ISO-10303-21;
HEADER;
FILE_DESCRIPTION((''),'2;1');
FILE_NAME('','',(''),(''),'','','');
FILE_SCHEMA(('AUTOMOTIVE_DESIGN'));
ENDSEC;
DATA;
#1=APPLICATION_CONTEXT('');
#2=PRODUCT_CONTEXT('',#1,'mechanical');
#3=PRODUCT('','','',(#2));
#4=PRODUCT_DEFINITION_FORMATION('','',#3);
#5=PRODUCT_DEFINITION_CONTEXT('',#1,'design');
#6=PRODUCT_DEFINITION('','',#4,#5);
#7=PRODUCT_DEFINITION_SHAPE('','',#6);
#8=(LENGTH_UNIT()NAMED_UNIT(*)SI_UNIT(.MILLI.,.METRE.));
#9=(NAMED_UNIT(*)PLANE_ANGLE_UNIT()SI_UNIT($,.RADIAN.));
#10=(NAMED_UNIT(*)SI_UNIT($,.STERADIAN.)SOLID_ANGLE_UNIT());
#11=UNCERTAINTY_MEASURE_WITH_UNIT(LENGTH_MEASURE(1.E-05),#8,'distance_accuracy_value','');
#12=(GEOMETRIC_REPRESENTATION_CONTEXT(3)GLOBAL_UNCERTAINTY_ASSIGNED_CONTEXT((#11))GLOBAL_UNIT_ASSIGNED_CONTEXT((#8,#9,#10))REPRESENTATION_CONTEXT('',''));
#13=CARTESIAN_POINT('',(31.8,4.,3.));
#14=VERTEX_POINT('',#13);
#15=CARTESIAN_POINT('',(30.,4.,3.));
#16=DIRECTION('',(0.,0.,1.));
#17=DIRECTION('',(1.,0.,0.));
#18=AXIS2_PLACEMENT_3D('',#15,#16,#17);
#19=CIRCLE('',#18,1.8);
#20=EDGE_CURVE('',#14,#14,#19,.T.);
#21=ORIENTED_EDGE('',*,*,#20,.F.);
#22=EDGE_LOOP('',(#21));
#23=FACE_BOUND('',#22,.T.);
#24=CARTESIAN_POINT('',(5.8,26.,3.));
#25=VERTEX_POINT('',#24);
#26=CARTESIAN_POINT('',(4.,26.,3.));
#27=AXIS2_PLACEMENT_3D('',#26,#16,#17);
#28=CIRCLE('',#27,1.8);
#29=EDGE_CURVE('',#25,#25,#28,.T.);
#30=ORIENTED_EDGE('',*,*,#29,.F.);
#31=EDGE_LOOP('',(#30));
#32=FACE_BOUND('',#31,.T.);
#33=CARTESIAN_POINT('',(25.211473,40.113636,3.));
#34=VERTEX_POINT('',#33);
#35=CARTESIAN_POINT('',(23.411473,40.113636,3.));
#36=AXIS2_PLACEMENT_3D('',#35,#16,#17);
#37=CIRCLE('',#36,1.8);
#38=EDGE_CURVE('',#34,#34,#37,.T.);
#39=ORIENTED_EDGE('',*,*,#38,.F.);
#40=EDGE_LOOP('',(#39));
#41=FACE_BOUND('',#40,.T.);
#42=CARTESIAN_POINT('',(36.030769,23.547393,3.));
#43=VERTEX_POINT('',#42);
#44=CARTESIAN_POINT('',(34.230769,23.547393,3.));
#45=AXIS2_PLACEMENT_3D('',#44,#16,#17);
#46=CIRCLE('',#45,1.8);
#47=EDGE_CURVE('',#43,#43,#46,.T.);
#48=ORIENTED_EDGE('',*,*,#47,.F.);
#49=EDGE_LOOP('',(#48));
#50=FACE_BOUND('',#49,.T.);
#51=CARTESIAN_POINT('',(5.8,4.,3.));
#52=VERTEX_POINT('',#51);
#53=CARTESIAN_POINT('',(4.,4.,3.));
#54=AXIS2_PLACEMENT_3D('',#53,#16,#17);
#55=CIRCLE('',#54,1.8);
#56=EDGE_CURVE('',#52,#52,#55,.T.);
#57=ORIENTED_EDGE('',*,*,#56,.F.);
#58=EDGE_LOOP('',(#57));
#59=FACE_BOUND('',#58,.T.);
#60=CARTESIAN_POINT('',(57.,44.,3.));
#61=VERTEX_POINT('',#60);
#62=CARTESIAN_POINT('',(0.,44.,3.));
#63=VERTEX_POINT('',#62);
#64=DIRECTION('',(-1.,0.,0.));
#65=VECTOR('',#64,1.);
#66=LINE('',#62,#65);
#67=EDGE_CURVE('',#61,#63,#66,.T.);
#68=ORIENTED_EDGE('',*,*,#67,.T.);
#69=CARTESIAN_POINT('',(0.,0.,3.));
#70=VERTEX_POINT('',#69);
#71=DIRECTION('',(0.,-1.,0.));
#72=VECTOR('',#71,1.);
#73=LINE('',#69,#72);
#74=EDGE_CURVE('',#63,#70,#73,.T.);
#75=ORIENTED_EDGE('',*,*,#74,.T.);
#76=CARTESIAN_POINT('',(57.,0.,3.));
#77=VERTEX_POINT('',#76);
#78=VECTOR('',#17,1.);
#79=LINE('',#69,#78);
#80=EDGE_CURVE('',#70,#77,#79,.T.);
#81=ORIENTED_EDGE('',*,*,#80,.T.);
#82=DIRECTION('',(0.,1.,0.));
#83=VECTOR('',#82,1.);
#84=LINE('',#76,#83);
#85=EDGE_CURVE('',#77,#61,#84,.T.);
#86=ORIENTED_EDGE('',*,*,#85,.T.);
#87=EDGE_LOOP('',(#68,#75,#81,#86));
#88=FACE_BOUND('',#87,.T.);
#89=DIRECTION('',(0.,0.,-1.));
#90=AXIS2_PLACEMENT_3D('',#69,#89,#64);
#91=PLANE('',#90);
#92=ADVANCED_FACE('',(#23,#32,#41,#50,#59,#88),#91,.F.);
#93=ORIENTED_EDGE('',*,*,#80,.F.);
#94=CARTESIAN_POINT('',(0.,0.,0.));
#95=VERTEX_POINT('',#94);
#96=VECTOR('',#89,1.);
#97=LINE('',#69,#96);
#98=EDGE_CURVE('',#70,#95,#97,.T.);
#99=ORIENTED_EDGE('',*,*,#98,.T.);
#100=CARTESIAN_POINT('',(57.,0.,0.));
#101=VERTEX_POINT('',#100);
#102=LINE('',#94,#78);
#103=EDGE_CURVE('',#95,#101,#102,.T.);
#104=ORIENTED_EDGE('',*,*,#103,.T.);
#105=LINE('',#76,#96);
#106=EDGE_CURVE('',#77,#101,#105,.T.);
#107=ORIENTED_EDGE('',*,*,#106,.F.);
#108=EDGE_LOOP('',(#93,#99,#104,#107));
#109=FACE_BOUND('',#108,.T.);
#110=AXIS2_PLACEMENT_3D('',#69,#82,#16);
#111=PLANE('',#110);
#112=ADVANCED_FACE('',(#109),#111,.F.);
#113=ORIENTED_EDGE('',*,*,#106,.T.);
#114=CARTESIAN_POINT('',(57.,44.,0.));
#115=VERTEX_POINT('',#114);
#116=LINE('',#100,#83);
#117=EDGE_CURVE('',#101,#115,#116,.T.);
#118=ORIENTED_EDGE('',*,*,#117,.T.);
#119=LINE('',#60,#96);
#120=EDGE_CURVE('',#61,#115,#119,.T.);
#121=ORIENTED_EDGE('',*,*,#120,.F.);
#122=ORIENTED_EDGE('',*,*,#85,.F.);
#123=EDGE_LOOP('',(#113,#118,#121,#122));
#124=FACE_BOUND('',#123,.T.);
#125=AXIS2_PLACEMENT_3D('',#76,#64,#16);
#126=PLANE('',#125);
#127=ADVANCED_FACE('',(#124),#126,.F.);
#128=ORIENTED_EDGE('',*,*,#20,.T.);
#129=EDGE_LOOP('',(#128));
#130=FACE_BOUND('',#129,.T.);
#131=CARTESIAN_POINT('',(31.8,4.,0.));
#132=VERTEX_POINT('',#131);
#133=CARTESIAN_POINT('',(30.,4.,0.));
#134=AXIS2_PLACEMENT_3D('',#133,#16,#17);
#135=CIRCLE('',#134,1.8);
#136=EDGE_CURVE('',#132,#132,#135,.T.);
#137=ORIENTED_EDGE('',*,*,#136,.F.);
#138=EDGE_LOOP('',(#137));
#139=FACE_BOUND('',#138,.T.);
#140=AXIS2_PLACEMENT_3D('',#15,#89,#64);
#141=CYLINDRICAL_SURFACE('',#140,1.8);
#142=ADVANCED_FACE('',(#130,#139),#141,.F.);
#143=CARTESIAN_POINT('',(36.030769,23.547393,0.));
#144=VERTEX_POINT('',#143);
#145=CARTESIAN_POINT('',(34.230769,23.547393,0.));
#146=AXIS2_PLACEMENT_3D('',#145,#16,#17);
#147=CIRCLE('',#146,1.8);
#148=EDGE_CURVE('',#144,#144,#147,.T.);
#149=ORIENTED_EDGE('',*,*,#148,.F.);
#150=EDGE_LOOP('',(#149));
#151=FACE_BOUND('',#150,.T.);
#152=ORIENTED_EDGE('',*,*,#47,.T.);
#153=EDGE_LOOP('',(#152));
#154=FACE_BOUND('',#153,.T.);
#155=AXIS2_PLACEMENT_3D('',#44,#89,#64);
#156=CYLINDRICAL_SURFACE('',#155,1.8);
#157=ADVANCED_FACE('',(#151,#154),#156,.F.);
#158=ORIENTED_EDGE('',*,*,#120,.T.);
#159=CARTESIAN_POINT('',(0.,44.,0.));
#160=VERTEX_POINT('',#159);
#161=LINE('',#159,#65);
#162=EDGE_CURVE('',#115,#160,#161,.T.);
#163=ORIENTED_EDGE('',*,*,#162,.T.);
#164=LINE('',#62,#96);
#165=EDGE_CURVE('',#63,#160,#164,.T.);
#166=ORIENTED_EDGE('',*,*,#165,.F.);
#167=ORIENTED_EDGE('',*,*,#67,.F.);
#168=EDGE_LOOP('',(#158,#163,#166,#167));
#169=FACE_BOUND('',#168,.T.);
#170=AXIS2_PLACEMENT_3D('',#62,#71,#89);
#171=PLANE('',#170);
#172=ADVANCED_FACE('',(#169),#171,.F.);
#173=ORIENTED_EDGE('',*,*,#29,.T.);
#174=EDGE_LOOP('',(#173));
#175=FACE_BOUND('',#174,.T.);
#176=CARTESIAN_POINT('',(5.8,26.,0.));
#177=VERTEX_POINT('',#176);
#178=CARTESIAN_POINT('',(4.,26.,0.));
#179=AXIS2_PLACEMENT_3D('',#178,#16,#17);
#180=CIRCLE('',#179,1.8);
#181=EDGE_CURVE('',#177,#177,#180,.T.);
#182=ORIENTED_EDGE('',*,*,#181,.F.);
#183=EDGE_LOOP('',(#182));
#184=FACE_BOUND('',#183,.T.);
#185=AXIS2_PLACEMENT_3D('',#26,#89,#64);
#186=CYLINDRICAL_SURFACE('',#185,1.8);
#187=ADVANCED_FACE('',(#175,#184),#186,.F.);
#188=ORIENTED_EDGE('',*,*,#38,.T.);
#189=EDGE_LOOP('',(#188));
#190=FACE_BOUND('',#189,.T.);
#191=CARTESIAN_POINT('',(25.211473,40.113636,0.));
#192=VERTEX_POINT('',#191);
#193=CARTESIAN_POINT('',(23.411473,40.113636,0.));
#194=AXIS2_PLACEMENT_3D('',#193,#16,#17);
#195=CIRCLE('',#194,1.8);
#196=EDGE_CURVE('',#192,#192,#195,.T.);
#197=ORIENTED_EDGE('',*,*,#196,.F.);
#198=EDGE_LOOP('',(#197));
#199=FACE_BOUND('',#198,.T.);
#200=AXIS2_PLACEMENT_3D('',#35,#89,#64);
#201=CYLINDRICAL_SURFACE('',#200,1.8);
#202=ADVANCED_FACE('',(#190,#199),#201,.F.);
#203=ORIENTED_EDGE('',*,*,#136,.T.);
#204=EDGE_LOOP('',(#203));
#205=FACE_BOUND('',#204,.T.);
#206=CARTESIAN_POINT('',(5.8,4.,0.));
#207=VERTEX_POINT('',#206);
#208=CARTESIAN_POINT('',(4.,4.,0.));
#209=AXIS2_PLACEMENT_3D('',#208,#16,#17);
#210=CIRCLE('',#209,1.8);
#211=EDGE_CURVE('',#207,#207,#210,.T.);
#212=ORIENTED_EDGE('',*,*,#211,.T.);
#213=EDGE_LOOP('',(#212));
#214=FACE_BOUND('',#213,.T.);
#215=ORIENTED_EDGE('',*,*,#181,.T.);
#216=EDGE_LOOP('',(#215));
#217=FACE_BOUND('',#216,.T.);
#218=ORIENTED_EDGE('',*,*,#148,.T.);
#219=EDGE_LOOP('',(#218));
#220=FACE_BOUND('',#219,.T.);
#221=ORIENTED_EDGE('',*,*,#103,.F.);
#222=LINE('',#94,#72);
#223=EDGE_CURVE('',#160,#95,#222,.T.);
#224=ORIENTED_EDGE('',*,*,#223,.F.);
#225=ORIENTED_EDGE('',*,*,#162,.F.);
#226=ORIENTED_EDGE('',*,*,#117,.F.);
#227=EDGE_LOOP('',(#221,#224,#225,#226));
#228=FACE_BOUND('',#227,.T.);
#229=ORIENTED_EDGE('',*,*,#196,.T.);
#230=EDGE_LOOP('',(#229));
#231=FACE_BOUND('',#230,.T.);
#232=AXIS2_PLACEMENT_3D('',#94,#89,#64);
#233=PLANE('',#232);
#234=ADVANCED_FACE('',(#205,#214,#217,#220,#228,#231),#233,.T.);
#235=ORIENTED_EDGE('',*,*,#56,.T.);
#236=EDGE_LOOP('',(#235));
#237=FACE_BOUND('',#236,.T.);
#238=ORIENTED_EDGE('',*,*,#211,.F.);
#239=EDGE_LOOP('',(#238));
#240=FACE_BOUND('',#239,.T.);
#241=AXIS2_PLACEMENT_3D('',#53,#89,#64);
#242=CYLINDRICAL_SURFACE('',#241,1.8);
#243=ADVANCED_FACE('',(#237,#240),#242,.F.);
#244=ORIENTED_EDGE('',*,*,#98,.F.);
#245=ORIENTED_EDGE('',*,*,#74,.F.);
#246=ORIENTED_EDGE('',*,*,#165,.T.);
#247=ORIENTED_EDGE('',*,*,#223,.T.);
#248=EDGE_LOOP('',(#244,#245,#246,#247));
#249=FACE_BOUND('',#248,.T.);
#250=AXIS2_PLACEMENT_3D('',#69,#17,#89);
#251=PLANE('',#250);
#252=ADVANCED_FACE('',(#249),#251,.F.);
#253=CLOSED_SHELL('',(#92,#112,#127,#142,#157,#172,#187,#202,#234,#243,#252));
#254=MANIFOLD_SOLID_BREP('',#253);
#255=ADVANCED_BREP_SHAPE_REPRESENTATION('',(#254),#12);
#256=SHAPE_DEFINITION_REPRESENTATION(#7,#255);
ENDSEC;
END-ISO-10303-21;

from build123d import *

# Parameters (mm, degrees)
SKETCH1_W           = 57
SKETCH1_H           = 44
SKETCH1_R           = 1.8
BOSS_EXTRUDE1_DEPTH = 3


with BuildPart() as part:
    # Sketch1 → Boss-Extrude1 (new body)
    with BuildSketch(Plane.XY):
        with Locations((28.5, 22)):
            Rectangle(SKETCH1_W, SKETCH1_H)
        with Locations((4, 4)):
            Circle(SKETCH1_R, mode=Mode.SUBTRACT)
        with Locations((30, 4)):
            Circle(SKETCH1_R, mode=Mode.SUBTRACT)
        with Locations((4, 26)):
            Circle(SKETCH1_R, mode=Mode.SUBTRACT)
        with Locations((23.411472602, 40.113636364)):
            Circle(SKETCH1_R, mode=Mode.SUBTRACT)
        with Locations((34.230769231, 23.547393476)):
            Circle(SKETCH1_R, mode=Mode.SUBTRACT)
    extrude(amount=BOSS_EXTRUDE1_DEPTH)


solid = part.part
